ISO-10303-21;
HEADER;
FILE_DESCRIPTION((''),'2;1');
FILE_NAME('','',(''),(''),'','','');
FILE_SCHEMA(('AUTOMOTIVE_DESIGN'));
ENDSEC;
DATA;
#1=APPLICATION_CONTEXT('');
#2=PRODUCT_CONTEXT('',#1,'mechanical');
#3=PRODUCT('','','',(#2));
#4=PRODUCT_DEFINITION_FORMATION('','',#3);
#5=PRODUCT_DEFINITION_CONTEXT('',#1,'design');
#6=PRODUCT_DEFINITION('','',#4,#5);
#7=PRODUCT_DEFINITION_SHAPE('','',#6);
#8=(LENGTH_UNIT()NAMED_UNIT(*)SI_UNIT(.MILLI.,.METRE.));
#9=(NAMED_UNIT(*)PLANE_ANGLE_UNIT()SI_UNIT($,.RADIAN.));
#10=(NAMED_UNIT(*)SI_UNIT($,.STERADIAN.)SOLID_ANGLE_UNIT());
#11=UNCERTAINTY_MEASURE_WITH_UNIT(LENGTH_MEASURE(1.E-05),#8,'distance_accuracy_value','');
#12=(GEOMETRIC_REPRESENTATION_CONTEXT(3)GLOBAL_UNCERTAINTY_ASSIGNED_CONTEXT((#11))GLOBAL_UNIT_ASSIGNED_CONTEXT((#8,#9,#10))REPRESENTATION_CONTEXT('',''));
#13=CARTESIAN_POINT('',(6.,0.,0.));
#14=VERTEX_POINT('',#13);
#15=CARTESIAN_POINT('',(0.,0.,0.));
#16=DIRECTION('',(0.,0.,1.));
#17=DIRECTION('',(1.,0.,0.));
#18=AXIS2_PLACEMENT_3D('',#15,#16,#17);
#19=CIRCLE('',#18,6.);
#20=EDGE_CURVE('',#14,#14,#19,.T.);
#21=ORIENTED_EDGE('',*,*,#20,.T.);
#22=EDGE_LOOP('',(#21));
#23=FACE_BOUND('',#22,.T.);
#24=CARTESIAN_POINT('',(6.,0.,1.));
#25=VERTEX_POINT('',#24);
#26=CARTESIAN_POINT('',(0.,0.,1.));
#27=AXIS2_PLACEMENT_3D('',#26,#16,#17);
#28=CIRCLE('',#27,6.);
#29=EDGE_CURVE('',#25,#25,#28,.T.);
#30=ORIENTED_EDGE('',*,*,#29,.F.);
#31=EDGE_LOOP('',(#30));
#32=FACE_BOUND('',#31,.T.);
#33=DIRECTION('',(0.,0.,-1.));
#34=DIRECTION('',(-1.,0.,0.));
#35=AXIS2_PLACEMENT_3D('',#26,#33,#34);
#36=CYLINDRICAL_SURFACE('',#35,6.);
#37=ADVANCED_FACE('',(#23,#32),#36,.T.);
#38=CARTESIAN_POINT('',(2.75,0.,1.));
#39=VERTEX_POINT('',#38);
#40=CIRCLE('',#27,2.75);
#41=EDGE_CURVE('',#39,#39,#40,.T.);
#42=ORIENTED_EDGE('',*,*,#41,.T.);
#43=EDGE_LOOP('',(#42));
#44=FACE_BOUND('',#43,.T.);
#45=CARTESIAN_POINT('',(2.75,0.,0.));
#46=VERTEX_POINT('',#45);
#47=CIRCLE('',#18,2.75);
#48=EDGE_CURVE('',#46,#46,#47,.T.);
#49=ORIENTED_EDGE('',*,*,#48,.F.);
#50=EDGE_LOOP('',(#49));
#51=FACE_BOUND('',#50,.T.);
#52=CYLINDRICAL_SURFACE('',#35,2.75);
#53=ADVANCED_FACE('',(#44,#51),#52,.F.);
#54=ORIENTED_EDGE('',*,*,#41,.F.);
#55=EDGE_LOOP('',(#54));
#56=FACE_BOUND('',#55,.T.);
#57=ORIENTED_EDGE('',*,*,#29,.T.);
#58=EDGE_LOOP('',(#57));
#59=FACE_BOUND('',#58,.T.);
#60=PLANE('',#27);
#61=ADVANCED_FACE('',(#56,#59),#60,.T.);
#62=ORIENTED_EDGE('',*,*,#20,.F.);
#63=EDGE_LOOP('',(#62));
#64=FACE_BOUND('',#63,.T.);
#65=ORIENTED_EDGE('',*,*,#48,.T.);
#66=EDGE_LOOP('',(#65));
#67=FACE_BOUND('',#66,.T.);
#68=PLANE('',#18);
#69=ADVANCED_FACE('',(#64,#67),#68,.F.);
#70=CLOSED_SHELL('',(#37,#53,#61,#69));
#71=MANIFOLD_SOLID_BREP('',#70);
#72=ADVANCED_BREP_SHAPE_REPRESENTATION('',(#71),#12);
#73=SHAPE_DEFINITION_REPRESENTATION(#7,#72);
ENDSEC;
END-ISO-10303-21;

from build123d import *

# Parameters (mm, degrees)
SKETCH1_R           = 6
SKETCH1_R_2         = 2.75
BOSS_EXTRUDE1_DEPTH = 1


with BuildPart() as part:
    # Sketch1 → Boss-Extrude1 (new body)
    with BuildSketch(Plane.XY):
        Circle(SKETCH1_R)
        Circle(SKETCH1_R_2, mode=Mode.SUBTRACT)
    extrude(amount=BOSS_EXTRUDE1_DEPTH)


solid = part.part
